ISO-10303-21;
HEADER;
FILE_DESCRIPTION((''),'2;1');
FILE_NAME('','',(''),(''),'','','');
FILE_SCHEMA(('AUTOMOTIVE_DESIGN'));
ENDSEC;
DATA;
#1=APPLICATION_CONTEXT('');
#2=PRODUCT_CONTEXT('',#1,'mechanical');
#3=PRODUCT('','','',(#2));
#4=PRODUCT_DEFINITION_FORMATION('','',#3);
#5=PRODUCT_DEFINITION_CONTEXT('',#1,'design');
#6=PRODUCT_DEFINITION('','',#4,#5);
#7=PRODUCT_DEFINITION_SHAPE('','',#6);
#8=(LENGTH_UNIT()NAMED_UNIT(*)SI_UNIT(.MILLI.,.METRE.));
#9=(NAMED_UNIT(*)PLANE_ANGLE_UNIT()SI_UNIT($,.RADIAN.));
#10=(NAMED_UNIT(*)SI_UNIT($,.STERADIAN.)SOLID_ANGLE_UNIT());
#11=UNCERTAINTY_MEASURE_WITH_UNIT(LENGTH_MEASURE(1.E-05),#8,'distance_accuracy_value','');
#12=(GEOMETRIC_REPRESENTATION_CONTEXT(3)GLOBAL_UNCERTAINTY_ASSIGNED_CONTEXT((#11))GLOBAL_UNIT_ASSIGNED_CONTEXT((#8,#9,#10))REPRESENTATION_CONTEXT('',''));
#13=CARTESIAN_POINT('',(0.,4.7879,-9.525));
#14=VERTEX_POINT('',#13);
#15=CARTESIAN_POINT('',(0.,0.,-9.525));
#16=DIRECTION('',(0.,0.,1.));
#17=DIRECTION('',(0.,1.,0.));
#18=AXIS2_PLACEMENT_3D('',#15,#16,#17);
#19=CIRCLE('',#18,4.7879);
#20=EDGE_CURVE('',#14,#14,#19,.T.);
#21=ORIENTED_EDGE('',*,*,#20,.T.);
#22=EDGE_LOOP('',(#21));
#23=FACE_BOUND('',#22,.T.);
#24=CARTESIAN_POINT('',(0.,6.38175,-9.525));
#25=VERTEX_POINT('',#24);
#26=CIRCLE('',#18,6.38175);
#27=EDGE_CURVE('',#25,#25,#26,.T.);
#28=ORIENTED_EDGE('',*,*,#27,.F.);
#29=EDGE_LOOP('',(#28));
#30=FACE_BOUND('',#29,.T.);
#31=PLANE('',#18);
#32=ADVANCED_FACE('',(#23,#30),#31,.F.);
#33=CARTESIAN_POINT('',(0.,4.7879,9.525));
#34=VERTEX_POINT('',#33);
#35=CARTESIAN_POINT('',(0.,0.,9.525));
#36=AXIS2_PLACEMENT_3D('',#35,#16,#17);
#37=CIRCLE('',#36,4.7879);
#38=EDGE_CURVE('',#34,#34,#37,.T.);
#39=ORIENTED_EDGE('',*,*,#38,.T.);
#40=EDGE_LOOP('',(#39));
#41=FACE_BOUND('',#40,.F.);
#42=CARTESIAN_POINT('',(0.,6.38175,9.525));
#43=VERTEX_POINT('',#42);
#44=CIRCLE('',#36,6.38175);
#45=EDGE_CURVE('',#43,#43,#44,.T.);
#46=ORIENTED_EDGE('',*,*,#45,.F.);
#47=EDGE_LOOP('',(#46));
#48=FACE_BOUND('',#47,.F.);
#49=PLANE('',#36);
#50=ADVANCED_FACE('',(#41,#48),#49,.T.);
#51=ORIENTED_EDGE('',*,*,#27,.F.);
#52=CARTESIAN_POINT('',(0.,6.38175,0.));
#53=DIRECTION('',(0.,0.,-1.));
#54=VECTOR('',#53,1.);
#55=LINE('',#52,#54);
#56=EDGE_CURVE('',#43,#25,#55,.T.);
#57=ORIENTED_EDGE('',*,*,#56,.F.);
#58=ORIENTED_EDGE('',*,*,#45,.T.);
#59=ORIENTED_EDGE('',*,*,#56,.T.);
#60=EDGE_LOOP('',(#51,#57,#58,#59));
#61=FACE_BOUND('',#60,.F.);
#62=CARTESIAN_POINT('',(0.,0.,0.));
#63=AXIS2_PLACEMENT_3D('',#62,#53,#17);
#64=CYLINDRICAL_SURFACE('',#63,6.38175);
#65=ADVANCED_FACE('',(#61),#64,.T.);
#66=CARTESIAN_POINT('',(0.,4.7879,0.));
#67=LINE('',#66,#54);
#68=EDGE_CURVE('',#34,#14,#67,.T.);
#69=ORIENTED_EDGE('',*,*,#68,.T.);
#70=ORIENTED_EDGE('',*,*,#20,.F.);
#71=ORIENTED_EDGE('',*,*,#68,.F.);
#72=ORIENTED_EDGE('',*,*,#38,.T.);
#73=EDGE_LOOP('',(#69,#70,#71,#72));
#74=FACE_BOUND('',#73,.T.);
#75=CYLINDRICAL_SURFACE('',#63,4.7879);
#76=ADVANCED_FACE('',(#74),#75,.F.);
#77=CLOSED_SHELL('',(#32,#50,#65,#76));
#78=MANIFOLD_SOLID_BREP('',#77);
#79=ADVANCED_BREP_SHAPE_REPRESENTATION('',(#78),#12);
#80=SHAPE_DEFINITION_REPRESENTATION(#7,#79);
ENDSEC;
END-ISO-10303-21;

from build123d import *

# Parameters (mm, degrees)
SKETCH1_W = 19.05
SKETCH1_H = 1.59385


with BuildPart() as part:
    # Sketch1 → Revolve1 (revolve)
    with BuildSketch(Plane(origin=(0, 0, 0), x_dir=(0, 0, -1), z_dir=(1, 0, 0))):
        with Locations((0, 5.584825)):
            Rectangle(SKETCH1_W, SKETCH1_H)
    revolve(axis=Axis((0, 0, -9.525), (0, 0, 1)))


solid = part.part
